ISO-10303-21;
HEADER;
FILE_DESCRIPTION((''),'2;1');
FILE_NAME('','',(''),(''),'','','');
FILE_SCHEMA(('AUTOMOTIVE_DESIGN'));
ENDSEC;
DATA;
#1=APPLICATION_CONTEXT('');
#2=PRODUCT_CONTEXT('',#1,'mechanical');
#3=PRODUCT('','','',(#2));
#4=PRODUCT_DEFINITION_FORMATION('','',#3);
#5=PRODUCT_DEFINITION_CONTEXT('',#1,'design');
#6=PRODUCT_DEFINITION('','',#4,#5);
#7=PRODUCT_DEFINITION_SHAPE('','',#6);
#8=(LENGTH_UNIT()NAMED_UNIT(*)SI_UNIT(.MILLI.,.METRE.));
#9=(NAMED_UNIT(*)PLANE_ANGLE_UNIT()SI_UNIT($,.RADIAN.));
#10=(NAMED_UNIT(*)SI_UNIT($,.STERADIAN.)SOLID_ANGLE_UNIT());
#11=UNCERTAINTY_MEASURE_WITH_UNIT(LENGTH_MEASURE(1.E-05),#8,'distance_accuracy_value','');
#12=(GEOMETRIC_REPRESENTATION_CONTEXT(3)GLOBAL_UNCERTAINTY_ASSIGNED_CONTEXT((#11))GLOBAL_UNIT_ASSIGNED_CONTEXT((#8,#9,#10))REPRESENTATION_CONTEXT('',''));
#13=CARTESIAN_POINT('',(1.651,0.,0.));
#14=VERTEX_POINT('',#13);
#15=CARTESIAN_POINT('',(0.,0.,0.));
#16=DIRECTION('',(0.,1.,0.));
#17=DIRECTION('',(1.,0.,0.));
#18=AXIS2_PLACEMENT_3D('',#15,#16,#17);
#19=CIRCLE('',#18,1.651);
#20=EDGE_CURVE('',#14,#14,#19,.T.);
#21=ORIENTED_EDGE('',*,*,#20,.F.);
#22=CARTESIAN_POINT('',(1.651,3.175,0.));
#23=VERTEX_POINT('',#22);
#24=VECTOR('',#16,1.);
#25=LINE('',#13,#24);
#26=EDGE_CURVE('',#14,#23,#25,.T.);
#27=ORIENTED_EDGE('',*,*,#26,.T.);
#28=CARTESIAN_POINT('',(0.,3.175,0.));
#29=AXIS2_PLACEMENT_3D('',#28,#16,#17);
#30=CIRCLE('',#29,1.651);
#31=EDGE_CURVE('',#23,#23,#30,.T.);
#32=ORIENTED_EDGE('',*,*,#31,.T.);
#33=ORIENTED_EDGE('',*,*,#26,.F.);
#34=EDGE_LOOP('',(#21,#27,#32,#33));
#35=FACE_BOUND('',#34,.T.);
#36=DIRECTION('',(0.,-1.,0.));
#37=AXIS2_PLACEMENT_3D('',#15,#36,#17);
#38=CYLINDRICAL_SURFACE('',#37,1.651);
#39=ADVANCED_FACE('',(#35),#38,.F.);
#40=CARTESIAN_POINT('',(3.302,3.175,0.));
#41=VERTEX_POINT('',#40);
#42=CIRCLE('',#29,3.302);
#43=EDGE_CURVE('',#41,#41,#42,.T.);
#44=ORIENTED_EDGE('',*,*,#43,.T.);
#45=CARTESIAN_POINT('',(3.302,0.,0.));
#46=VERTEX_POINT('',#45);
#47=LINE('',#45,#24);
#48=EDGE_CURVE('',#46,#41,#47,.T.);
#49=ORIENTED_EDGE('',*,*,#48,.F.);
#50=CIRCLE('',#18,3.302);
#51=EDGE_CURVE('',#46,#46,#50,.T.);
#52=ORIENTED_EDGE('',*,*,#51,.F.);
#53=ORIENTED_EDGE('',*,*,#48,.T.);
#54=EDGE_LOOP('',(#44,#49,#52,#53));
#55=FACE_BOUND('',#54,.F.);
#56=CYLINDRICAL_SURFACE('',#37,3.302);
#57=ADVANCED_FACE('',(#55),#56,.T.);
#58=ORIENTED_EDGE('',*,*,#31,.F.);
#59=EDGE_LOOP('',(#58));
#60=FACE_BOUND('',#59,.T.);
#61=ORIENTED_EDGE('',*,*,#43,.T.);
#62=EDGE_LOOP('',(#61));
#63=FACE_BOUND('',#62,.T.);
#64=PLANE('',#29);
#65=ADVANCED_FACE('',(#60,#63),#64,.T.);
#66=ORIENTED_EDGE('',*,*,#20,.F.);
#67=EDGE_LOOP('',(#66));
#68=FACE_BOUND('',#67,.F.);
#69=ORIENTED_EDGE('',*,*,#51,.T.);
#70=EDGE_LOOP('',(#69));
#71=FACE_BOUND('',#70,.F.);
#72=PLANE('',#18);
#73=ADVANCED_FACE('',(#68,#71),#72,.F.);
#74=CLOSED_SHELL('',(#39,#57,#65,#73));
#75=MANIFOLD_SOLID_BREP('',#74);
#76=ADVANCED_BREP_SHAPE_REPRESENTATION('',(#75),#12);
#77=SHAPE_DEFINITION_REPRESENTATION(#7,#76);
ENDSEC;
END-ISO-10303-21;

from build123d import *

# Parameters (mm, degrees)
SKETCH1_R           = 3.302
SKETCH1_R_2         = 1.651
BOSS_EXTRUDE1_DEPTH = 3.175


with BuildPart() as part:
    # Sketch1 → Boss-Extrude1 (new body)
    with BuildSketch(Plane(origin=(0, 0, 0), x_dir=(1, 0, 0), z_dir=(0, 1, 0))):
        Circle(SKETCH1_R)
        Circle(SKETCH1_R_2, mode=Mode.SUBTRACT)
    extrude(amount=BOSS_EXTRUDE1_DEPTH)


solid = part.part
